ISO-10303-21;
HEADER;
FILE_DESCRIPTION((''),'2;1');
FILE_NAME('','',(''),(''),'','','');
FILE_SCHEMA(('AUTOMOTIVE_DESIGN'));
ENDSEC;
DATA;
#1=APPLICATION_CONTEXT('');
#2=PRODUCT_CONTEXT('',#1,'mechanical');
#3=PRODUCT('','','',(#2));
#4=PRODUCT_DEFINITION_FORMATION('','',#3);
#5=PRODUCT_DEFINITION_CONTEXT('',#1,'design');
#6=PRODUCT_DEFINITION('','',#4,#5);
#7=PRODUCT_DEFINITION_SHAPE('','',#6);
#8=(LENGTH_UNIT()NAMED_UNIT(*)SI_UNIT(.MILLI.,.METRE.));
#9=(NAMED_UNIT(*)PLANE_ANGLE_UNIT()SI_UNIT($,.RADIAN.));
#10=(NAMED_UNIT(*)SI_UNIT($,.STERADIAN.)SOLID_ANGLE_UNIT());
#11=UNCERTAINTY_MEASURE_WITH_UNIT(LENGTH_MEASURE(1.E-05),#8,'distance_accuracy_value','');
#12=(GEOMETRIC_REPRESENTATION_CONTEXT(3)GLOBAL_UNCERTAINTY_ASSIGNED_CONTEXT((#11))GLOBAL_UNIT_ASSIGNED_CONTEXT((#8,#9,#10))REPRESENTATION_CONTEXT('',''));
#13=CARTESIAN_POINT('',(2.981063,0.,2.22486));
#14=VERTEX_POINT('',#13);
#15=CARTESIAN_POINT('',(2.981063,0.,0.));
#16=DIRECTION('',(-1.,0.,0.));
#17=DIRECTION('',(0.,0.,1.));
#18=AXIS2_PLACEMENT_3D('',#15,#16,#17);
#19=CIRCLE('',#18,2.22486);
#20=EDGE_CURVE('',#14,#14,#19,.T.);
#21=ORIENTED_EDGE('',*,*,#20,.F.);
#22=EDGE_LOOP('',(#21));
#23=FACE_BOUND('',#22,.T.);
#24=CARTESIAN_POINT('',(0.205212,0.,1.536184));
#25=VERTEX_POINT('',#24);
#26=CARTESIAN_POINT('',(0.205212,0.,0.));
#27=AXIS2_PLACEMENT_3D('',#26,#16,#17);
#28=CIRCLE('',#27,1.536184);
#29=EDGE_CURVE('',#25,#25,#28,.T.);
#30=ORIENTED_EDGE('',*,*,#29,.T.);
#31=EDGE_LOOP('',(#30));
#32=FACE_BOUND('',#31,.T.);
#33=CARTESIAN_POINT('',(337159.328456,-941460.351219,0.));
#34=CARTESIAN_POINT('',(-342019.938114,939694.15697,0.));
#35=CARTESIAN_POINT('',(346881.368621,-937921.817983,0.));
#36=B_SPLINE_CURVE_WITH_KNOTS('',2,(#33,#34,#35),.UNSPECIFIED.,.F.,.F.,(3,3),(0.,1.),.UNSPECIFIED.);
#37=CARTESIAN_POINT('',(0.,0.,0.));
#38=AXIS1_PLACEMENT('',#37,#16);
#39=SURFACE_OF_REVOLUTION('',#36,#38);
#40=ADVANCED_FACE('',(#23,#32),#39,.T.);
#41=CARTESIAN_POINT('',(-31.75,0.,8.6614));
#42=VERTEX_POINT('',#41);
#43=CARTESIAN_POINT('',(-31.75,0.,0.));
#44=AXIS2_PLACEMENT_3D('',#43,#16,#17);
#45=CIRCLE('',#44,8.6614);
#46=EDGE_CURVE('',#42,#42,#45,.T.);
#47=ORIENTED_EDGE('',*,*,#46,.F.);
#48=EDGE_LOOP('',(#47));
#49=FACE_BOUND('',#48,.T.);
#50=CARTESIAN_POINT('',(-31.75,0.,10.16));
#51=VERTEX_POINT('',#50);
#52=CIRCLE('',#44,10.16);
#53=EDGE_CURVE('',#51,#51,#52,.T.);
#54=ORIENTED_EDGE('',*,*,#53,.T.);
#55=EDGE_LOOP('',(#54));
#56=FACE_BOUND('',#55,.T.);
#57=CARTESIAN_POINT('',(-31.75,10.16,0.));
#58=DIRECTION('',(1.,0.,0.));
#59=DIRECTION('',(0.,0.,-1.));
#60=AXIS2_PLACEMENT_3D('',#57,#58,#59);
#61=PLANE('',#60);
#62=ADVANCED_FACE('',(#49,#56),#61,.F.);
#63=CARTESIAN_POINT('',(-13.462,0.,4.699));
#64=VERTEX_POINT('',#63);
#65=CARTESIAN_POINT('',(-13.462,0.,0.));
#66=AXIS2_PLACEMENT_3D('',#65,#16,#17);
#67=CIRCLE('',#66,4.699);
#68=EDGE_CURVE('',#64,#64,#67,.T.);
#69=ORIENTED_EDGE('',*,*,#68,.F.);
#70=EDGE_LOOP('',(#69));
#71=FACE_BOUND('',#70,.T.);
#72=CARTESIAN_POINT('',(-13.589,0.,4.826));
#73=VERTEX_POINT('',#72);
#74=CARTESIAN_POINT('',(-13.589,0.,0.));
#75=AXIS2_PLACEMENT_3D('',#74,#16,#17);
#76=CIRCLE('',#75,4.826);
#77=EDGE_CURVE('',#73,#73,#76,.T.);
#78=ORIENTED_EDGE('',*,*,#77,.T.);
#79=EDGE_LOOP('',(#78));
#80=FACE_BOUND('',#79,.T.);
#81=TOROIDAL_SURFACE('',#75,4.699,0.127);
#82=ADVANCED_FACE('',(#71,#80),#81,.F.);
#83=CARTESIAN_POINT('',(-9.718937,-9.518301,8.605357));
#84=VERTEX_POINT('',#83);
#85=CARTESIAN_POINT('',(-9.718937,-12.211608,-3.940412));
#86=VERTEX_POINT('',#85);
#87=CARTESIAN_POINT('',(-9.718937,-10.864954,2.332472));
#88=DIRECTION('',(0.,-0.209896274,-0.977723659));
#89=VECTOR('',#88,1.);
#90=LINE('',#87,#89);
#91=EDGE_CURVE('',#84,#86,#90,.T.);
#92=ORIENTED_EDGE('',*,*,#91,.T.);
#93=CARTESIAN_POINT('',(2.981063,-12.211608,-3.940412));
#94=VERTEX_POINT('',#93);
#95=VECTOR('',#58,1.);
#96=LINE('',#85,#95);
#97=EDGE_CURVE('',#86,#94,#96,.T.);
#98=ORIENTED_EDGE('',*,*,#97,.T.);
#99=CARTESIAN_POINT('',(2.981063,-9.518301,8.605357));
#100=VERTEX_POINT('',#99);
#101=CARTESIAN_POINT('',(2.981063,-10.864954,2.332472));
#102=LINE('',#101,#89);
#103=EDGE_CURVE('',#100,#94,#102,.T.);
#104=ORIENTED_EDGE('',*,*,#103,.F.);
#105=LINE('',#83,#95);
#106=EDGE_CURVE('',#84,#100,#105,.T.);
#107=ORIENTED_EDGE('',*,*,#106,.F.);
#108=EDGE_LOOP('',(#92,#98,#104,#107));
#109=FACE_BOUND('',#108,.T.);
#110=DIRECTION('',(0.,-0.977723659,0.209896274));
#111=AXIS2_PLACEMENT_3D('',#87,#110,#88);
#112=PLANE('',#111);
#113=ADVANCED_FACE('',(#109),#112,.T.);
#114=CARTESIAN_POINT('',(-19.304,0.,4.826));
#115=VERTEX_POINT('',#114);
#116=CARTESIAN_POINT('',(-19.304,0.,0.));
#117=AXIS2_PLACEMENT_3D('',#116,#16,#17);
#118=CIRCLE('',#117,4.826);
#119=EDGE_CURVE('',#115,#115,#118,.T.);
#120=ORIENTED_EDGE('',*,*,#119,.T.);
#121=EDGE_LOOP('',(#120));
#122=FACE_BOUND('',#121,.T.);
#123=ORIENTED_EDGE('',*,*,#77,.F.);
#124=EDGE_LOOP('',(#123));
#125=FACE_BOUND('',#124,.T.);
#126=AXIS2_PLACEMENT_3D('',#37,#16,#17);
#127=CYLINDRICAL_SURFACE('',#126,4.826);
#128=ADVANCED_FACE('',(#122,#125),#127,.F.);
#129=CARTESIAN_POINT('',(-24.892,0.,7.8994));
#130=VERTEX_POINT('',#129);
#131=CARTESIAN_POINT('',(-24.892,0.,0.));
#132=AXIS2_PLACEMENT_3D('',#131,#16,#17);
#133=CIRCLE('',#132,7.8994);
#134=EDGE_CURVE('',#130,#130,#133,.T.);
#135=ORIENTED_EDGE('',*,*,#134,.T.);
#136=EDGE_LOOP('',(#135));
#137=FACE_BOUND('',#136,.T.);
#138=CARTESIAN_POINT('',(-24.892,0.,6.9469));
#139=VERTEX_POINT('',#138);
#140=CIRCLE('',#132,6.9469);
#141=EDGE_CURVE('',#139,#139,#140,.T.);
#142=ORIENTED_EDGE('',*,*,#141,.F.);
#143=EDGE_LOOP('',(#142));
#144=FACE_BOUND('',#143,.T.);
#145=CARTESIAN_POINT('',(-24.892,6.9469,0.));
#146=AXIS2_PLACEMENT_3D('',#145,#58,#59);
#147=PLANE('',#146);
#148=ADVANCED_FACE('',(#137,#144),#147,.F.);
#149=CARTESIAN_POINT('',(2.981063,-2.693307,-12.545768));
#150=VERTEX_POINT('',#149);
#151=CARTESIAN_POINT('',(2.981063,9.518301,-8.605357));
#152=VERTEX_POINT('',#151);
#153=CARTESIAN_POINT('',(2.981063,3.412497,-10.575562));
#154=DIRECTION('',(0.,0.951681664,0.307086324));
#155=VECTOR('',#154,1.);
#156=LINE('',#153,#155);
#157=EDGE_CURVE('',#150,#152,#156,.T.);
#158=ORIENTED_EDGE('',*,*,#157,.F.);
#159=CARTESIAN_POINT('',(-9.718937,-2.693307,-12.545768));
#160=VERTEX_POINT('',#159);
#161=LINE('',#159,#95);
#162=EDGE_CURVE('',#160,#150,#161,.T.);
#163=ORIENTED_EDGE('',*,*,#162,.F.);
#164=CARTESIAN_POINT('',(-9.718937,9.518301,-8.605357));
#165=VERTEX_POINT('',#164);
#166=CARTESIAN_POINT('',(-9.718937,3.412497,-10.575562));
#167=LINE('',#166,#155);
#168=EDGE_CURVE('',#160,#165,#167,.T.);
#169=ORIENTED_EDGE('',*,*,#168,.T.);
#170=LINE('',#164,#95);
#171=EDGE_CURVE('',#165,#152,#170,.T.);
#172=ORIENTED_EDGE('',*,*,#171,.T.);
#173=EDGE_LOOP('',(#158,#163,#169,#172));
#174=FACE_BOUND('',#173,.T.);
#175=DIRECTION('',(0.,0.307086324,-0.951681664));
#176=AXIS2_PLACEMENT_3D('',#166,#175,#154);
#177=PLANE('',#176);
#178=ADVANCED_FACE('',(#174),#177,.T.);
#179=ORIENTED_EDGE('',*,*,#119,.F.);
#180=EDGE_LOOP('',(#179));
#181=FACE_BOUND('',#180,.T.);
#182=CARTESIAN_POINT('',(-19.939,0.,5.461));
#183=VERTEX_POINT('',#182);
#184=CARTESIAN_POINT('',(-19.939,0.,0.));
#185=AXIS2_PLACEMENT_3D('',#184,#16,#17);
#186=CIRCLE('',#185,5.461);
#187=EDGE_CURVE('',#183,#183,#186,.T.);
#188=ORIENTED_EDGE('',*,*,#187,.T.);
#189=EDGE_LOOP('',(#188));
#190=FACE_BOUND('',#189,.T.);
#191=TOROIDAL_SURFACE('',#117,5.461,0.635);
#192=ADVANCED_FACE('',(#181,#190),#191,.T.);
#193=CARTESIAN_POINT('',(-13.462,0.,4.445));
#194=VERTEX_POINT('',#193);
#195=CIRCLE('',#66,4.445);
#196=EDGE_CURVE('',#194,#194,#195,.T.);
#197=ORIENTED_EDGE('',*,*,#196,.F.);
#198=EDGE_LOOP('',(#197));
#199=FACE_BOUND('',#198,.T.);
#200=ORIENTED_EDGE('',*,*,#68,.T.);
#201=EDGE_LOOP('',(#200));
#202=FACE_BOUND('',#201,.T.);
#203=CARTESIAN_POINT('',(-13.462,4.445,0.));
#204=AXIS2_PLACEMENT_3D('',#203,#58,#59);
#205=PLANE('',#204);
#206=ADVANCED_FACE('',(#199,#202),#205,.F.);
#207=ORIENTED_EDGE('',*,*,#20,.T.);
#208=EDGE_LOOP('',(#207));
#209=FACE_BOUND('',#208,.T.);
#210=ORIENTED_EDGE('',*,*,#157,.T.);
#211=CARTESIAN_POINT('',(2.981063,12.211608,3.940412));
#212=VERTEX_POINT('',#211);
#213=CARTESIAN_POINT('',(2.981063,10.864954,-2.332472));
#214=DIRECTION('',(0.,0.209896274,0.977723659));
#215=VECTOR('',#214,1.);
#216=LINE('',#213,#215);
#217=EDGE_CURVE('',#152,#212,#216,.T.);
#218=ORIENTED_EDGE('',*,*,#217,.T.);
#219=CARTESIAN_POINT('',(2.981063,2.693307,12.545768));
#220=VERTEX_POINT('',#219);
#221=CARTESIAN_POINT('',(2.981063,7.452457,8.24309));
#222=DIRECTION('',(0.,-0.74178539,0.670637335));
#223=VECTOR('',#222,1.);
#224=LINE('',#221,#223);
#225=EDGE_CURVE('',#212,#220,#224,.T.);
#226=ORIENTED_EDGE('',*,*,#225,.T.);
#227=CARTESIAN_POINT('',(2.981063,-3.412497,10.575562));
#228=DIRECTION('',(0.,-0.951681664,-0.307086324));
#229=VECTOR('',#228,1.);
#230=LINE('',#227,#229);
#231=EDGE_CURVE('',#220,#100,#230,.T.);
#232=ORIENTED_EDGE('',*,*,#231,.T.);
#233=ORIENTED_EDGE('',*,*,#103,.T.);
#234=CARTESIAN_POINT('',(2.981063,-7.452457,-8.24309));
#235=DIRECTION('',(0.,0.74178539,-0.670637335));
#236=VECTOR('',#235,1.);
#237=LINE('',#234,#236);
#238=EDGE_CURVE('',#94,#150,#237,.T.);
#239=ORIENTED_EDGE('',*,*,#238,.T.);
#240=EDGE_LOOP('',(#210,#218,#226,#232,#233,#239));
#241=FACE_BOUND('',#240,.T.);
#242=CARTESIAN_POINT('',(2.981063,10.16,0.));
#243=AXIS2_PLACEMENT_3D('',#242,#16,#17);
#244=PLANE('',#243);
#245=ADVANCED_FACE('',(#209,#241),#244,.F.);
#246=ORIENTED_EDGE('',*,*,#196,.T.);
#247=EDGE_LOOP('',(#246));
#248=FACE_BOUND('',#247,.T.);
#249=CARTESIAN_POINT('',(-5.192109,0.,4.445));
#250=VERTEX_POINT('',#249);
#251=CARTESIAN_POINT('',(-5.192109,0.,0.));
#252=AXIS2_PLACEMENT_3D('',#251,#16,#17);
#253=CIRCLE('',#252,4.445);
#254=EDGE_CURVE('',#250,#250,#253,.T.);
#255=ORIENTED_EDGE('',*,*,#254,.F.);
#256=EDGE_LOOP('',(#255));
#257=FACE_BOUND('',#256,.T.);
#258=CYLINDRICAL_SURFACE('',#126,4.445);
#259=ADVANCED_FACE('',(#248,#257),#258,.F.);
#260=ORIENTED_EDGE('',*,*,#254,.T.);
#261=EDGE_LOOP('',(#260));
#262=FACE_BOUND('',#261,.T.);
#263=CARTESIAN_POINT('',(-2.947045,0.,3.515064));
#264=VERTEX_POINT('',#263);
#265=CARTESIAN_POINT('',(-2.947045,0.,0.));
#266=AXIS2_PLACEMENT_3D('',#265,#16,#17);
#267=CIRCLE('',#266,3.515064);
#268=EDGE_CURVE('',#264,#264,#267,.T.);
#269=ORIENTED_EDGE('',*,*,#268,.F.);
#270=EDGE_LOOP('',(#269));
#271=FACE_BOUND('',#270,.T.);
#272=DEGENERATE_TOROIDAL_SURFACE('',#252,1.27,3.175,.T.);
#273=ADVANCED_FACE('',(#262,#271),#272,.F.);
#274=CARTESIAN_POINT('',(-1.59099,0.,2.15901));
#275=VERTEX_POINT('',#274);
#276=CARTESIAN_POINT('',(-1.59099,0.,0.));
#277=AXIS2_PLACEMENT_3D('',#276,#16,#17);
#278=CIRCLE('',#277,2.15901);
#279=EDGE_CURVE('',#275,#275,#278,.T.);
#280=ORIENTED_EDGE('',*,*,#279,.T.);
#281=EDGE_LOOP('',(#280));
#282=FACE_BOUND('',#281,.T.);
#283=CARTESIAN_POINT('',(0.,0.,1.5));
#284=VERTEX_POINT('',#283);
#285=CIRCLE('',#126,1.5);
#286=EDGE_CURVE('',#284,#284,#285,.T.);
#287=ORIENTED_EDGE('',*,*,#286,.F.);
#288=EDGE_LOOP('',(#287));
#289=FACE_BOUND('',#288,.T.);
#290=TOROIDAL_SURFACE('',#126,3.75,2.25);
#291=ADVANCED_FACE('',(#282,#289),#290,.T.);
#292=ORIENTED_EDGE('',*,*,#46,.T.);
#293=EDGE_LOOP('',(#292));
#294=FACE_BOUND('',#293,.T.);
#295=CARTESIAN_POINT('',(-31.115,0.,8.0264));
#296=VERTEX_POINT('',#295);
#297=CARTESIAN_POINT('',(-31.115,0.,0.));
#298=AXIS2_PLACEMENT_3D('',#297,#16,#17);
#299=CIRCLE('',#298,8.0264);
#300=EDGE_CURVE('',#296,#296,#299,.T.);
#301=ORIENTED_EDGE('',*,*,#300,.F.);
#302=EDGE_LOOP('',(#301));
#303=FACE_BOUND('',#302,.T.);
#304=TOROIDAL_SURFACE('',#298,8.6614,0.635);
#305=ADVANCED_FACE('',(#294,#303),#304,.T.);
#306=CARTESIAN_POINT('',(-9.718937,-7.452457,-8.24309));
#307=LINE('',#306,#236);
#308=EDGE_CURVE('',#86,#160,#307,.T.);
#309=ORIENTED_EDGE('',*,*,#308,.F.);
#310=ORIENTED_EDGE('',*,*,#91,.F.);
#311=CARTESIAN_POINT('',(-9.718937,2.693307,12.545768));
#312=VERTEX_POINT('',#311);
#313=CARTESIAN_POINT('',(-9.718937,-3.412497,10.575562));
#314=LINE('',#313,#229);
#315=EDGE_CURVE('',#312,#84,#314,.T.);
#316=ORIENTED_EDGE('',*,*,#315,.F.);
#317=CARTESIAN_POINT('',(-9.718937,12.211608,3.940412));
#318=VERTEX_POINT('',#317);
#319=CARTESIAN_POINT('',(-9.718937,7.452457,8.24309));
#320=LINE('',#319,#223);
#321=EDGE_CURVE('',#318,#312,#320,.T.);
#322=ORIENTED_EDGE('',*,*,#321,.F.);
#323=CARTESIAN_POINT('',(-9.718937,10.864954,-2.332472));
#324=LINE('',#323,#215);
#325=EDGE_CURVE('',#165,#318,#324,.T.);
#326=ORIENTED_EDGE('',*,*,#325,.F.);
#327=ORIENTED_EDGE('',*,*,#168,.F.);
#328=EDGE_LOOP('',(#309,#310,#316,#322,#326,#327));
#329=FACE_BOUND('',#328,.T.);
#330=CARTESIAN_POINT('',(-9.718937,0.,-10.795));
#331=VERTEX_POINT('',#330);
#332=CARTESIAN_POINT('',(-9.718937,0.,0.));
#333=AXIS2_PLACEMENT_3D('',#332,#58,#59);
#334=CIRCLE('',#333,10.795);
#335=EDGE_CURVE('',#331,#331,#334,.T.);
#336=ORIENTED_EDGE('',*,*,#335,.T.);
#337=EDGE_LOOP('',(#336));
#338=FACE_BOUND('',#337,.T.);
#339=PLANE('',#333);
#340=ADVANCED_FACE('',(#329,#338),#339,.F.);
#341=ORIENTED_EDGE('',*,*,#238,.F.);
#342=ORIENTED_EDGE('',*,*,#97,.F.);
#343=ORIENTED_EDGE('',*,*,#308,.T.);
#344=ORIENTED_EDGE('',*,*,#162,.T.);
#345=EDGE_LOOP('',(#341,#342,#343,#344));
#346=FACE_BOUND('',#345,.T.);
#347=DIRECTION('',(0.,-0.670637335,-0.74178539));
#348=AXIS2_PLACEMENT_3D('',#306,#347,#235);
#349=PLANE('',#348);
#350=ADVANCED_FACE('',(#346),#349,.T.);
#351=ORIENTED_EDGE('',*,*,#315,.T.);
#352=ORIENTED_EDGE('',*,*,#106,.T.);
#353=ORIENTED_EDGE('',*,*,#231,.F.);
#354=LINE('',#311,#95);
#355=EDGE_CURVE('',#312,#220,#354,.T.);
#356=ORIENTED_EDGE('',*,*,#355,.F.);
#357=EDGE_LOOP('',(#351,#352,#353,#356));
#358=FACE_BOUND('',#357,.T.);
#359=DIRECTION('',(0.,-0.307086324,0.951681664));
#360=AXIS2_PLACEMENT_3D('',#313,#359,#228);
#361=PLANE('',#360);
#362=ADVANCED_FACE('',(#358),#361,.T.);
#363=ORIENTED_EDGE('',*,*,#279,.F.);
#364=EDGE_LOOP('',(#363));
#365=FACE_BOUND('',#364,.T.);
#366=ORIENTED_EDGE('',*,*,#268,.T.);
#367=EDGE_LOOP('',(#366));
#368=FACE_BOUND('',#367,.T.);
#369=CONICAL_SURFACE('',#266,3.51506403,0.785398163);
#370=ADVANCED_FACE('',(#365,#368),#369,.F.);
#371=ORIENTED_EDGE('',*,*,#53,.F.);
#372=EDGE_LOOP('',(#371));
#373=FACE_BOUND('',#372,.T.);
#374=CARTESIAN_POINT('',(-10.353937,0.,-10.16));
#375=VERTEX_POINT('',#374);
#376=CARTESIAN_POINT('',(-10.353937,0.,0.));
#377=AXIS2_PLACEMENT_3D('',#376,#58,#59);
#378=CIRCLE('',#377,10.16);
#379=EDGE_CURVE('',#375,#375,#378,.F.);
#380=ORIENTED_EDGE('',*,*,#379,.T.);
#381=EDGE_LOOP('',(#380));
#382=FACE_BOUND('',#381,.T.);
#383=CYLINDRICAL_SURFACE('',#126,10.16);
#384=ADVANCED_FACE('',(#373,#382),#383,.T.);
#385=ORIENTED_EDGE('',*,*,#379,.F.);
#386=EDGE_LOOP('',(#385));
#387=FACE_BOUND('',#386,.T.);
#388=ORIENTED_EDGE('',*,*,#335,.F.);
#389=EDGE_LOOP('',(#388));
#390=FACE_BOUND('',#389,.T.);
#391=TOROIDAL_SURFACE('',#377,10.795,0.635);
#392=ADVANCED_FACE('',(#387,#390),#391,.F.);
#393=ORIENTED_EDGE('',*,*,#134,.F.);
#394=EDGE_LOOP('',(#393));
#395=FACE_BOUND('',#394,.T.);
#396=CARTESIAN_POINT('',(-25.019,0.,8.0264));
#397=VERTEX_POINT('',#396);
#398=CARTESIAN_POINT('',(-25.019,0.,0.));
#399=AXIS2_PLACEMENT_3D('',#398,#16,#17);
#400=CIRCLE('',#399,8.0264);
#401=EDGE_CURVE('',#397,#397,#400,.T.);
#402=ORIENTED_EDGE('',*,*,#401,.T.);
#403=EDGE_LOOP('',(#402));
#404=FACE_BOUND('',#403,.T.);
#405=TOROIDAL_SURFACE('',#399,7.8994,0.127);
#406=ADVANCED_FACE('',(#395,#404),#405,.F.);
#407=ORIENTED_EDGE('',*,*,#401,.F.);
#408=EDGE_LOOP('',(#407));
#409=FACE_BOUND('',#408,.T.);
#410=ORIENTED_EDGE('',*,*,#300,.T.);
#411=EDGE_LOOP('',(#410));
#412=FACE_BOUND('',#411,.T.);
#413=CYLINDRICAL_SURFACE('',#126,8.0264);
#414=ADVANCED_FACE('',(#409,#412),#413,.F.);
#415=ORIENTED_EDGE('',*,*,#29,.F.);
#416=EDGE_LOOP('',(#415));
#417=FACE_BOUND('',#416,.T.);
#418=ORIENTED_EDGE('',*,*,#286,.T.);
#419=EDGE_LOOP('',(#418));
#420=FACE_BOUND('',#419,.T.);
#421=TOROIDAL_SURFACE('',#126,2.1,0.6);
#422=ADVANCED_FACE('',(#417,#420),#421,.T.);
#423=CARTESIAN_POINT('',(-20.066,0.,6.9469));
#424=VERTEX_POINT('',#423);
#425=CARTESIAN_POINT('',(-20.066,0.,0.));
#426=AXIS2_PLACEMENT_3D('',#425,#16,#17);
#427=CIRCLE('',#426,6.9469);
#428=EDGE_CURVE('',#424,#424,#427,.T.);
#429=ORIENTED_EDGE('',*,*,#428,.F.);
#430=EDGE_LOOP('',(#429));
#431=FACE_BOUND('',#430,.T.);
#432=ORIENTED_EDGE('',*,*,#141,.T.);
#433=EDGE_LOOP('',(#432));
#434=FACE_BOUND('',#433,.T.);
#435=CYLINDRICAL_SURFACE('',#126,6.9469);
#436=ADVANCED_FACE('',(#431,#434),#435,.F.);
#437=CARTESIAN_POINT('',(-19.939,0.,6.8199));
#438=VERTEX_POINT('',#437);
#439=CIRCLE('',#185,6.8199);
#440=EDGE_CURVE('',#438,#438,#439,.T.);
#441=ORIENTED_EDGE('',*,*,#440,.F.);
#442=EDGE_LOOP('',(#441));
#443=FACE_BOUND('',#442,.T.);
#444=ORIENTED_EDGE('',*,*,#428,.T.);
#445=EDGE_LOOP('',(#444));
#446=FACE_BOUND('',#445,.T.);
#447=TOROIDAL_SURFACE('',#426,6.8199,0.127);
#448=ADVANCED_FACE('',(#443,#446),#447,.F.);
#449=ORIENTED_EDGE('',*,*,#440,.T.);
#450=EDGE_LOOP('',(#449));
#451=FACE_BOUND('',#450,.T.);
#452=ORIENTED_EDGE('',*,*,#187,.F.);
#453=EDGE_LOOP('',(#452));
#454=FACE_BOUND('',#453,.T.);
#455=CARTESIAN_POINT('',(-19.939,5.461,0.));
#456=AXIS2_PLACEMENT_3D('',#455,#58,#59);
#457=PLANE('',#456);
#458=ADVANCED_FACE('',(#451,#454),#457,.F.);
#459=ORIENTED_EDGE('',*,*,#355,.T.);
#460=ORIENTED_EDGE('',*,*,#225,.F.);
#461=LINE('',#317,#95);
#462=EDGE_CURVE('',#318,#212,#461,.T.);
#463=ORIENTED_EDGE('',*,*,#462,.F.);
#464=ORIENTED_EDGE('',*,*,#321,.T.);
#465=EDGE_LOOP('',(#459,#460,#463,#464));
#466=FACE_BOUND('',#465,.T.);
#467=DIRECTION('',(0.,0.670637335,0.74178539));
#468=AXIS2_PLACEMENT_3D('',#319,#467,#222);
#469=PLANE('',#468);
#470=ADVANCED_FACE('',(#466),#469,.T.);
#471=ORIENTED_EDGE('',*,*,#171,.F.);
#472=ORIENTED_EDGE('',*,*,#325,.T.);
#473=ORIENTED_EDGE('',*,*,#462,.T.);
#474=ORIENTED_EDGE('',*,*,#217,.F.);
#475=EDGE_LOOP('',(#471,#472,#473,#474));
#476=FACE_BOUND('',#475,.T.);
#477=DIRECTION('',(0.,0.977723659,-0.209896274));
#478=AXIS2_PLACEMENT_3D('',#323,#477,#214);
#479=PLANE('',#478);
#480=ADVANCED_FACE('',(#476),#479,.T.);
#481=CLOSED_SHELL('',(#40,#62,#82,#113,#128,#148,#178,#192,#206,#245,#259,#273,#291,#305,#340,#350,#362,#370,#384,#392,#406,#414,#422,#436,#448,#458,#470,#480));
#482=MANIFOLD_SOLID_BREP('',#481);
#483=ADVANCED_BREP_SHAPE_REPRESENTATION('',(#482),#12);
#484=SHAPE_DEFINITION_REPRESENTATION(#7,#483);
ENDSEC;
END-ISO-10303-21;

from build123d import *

# Parameters (mm, degrees)
SKETCH4_R           = 10.16
BOSS_EXTRUDE1_DEPTH = 12.7
FILLET1_R           = 0.635


with BuildPart() as part:
    # Sketch1 → Revolve1 (revolve)
    with BuildSketch(Plane.XY, mode=Mode.PRIVATE) as revolve1_sk:
        with BuildLine():
            Line((-1.590990258, 2.159009742), (-2.947044546, 3.51506403))
            ThreePointArc((-2.947044546, 3.51506403), (-3.977088678, 4.203317516), (-5.192108576, 4.445))
            Line((-5.192108576, 4.445), (-13.462, 4.445))
            Line((-13.462, 4.445), (-13.462, 4.699))
            ThreePointArc((-13.462, 4.699), (-13.499197439, 4.788802561), (-13.589, 4.826))
            Line((-13.589, 4.826), (-19.304, 4.826))
            ThreePointArc((-19.304, 4.826), (-19.753012806, 5.011987194), (-19.939, 5.461))
            Line((-19.939, 5.461), (-19.939, 6.8199))
            ThreePointArc((-19.939, 6.8199), (-19.976197439, 6.909702561), (-20.066, 6.9469))
            Line((-20.066, 6.9469), (-24.892, 6.9469))
            Line((-24.892, 6.9469), (-24.892, 7.8994))
            ThreePointArc((-24.892, 7.8994), (-24.929197439, 7.989202561), (-25.019, 8.0264))
            Line((-25.019, 8.0264), (-31.115, 8.0264))
            ThreePointArc((-31.115, 8.0264), (-31.564012806, 8.212387194), (-31.75, 8.6614))
            Line((-31.75, 8.6614), (-31.75, 10.16))
            Line((-31.75, 10.16), (-9.718936631, 10.16))
            Line((-9.718936631, 10.16), (2.981063369, 10.16))
            Line((2.981063369, 10.16), (2.981063369, 2.224859546))
            add(Edge.make_bspline(
                [(2.981063369, 2.224859546), (1.541449228, 2.022534973), (0.205212086, 1.536184427)],
                knots=[0, 0, 0, 1, 1, 1], degree=2))
            ThreePointArc((0.205212086, 1.536184427), (0.104188907, 1.509115348), (0, 1.5))
            ThreePointArc((0, 1.5), (-0.861037723, 1.671271052), (-1.590990258, 2.159009742))
        make_face()
    revolve(revolve1_sk.sketch.rotate(Axis((0, 0, 0), (1, 0, 0)), 90), axis=Axis((0, 0, 0), (1, 0, 0)))

    # Sketch4 → Boss-Extrude1 (add)
    with BuildSketch(Plane(origin=(2.981063369, 0, 0), x_dir=(0, 0, -1), z_dir=(1, 0, 0))):
        Polygon((3.940411868, -12.211607701), (12.545768424, -2.693307071), (8.605356556, 9.51830063), (-3.940411868, 12.211607701), (-12.545768424, 2.693307071), (-8.605356556, -9.51830063), align=None)
        with Locations(Location((0, 0, 0), (0, 0, 180))):
            Circle(SKETCH4_R, mode=Mode.SUBTRACT)
    extrude(amount=-BOSS_EXTRUDE1_DEPTH)

    # Fillet1
    fillet1_edges = [part.edges().sort_by_distance(p)[0] for p in [
        (-9.718936631, 0, -10.16),
    ]]
    fillet(fillet1_edges, radius=FILLET1_R)


solid = part.part
